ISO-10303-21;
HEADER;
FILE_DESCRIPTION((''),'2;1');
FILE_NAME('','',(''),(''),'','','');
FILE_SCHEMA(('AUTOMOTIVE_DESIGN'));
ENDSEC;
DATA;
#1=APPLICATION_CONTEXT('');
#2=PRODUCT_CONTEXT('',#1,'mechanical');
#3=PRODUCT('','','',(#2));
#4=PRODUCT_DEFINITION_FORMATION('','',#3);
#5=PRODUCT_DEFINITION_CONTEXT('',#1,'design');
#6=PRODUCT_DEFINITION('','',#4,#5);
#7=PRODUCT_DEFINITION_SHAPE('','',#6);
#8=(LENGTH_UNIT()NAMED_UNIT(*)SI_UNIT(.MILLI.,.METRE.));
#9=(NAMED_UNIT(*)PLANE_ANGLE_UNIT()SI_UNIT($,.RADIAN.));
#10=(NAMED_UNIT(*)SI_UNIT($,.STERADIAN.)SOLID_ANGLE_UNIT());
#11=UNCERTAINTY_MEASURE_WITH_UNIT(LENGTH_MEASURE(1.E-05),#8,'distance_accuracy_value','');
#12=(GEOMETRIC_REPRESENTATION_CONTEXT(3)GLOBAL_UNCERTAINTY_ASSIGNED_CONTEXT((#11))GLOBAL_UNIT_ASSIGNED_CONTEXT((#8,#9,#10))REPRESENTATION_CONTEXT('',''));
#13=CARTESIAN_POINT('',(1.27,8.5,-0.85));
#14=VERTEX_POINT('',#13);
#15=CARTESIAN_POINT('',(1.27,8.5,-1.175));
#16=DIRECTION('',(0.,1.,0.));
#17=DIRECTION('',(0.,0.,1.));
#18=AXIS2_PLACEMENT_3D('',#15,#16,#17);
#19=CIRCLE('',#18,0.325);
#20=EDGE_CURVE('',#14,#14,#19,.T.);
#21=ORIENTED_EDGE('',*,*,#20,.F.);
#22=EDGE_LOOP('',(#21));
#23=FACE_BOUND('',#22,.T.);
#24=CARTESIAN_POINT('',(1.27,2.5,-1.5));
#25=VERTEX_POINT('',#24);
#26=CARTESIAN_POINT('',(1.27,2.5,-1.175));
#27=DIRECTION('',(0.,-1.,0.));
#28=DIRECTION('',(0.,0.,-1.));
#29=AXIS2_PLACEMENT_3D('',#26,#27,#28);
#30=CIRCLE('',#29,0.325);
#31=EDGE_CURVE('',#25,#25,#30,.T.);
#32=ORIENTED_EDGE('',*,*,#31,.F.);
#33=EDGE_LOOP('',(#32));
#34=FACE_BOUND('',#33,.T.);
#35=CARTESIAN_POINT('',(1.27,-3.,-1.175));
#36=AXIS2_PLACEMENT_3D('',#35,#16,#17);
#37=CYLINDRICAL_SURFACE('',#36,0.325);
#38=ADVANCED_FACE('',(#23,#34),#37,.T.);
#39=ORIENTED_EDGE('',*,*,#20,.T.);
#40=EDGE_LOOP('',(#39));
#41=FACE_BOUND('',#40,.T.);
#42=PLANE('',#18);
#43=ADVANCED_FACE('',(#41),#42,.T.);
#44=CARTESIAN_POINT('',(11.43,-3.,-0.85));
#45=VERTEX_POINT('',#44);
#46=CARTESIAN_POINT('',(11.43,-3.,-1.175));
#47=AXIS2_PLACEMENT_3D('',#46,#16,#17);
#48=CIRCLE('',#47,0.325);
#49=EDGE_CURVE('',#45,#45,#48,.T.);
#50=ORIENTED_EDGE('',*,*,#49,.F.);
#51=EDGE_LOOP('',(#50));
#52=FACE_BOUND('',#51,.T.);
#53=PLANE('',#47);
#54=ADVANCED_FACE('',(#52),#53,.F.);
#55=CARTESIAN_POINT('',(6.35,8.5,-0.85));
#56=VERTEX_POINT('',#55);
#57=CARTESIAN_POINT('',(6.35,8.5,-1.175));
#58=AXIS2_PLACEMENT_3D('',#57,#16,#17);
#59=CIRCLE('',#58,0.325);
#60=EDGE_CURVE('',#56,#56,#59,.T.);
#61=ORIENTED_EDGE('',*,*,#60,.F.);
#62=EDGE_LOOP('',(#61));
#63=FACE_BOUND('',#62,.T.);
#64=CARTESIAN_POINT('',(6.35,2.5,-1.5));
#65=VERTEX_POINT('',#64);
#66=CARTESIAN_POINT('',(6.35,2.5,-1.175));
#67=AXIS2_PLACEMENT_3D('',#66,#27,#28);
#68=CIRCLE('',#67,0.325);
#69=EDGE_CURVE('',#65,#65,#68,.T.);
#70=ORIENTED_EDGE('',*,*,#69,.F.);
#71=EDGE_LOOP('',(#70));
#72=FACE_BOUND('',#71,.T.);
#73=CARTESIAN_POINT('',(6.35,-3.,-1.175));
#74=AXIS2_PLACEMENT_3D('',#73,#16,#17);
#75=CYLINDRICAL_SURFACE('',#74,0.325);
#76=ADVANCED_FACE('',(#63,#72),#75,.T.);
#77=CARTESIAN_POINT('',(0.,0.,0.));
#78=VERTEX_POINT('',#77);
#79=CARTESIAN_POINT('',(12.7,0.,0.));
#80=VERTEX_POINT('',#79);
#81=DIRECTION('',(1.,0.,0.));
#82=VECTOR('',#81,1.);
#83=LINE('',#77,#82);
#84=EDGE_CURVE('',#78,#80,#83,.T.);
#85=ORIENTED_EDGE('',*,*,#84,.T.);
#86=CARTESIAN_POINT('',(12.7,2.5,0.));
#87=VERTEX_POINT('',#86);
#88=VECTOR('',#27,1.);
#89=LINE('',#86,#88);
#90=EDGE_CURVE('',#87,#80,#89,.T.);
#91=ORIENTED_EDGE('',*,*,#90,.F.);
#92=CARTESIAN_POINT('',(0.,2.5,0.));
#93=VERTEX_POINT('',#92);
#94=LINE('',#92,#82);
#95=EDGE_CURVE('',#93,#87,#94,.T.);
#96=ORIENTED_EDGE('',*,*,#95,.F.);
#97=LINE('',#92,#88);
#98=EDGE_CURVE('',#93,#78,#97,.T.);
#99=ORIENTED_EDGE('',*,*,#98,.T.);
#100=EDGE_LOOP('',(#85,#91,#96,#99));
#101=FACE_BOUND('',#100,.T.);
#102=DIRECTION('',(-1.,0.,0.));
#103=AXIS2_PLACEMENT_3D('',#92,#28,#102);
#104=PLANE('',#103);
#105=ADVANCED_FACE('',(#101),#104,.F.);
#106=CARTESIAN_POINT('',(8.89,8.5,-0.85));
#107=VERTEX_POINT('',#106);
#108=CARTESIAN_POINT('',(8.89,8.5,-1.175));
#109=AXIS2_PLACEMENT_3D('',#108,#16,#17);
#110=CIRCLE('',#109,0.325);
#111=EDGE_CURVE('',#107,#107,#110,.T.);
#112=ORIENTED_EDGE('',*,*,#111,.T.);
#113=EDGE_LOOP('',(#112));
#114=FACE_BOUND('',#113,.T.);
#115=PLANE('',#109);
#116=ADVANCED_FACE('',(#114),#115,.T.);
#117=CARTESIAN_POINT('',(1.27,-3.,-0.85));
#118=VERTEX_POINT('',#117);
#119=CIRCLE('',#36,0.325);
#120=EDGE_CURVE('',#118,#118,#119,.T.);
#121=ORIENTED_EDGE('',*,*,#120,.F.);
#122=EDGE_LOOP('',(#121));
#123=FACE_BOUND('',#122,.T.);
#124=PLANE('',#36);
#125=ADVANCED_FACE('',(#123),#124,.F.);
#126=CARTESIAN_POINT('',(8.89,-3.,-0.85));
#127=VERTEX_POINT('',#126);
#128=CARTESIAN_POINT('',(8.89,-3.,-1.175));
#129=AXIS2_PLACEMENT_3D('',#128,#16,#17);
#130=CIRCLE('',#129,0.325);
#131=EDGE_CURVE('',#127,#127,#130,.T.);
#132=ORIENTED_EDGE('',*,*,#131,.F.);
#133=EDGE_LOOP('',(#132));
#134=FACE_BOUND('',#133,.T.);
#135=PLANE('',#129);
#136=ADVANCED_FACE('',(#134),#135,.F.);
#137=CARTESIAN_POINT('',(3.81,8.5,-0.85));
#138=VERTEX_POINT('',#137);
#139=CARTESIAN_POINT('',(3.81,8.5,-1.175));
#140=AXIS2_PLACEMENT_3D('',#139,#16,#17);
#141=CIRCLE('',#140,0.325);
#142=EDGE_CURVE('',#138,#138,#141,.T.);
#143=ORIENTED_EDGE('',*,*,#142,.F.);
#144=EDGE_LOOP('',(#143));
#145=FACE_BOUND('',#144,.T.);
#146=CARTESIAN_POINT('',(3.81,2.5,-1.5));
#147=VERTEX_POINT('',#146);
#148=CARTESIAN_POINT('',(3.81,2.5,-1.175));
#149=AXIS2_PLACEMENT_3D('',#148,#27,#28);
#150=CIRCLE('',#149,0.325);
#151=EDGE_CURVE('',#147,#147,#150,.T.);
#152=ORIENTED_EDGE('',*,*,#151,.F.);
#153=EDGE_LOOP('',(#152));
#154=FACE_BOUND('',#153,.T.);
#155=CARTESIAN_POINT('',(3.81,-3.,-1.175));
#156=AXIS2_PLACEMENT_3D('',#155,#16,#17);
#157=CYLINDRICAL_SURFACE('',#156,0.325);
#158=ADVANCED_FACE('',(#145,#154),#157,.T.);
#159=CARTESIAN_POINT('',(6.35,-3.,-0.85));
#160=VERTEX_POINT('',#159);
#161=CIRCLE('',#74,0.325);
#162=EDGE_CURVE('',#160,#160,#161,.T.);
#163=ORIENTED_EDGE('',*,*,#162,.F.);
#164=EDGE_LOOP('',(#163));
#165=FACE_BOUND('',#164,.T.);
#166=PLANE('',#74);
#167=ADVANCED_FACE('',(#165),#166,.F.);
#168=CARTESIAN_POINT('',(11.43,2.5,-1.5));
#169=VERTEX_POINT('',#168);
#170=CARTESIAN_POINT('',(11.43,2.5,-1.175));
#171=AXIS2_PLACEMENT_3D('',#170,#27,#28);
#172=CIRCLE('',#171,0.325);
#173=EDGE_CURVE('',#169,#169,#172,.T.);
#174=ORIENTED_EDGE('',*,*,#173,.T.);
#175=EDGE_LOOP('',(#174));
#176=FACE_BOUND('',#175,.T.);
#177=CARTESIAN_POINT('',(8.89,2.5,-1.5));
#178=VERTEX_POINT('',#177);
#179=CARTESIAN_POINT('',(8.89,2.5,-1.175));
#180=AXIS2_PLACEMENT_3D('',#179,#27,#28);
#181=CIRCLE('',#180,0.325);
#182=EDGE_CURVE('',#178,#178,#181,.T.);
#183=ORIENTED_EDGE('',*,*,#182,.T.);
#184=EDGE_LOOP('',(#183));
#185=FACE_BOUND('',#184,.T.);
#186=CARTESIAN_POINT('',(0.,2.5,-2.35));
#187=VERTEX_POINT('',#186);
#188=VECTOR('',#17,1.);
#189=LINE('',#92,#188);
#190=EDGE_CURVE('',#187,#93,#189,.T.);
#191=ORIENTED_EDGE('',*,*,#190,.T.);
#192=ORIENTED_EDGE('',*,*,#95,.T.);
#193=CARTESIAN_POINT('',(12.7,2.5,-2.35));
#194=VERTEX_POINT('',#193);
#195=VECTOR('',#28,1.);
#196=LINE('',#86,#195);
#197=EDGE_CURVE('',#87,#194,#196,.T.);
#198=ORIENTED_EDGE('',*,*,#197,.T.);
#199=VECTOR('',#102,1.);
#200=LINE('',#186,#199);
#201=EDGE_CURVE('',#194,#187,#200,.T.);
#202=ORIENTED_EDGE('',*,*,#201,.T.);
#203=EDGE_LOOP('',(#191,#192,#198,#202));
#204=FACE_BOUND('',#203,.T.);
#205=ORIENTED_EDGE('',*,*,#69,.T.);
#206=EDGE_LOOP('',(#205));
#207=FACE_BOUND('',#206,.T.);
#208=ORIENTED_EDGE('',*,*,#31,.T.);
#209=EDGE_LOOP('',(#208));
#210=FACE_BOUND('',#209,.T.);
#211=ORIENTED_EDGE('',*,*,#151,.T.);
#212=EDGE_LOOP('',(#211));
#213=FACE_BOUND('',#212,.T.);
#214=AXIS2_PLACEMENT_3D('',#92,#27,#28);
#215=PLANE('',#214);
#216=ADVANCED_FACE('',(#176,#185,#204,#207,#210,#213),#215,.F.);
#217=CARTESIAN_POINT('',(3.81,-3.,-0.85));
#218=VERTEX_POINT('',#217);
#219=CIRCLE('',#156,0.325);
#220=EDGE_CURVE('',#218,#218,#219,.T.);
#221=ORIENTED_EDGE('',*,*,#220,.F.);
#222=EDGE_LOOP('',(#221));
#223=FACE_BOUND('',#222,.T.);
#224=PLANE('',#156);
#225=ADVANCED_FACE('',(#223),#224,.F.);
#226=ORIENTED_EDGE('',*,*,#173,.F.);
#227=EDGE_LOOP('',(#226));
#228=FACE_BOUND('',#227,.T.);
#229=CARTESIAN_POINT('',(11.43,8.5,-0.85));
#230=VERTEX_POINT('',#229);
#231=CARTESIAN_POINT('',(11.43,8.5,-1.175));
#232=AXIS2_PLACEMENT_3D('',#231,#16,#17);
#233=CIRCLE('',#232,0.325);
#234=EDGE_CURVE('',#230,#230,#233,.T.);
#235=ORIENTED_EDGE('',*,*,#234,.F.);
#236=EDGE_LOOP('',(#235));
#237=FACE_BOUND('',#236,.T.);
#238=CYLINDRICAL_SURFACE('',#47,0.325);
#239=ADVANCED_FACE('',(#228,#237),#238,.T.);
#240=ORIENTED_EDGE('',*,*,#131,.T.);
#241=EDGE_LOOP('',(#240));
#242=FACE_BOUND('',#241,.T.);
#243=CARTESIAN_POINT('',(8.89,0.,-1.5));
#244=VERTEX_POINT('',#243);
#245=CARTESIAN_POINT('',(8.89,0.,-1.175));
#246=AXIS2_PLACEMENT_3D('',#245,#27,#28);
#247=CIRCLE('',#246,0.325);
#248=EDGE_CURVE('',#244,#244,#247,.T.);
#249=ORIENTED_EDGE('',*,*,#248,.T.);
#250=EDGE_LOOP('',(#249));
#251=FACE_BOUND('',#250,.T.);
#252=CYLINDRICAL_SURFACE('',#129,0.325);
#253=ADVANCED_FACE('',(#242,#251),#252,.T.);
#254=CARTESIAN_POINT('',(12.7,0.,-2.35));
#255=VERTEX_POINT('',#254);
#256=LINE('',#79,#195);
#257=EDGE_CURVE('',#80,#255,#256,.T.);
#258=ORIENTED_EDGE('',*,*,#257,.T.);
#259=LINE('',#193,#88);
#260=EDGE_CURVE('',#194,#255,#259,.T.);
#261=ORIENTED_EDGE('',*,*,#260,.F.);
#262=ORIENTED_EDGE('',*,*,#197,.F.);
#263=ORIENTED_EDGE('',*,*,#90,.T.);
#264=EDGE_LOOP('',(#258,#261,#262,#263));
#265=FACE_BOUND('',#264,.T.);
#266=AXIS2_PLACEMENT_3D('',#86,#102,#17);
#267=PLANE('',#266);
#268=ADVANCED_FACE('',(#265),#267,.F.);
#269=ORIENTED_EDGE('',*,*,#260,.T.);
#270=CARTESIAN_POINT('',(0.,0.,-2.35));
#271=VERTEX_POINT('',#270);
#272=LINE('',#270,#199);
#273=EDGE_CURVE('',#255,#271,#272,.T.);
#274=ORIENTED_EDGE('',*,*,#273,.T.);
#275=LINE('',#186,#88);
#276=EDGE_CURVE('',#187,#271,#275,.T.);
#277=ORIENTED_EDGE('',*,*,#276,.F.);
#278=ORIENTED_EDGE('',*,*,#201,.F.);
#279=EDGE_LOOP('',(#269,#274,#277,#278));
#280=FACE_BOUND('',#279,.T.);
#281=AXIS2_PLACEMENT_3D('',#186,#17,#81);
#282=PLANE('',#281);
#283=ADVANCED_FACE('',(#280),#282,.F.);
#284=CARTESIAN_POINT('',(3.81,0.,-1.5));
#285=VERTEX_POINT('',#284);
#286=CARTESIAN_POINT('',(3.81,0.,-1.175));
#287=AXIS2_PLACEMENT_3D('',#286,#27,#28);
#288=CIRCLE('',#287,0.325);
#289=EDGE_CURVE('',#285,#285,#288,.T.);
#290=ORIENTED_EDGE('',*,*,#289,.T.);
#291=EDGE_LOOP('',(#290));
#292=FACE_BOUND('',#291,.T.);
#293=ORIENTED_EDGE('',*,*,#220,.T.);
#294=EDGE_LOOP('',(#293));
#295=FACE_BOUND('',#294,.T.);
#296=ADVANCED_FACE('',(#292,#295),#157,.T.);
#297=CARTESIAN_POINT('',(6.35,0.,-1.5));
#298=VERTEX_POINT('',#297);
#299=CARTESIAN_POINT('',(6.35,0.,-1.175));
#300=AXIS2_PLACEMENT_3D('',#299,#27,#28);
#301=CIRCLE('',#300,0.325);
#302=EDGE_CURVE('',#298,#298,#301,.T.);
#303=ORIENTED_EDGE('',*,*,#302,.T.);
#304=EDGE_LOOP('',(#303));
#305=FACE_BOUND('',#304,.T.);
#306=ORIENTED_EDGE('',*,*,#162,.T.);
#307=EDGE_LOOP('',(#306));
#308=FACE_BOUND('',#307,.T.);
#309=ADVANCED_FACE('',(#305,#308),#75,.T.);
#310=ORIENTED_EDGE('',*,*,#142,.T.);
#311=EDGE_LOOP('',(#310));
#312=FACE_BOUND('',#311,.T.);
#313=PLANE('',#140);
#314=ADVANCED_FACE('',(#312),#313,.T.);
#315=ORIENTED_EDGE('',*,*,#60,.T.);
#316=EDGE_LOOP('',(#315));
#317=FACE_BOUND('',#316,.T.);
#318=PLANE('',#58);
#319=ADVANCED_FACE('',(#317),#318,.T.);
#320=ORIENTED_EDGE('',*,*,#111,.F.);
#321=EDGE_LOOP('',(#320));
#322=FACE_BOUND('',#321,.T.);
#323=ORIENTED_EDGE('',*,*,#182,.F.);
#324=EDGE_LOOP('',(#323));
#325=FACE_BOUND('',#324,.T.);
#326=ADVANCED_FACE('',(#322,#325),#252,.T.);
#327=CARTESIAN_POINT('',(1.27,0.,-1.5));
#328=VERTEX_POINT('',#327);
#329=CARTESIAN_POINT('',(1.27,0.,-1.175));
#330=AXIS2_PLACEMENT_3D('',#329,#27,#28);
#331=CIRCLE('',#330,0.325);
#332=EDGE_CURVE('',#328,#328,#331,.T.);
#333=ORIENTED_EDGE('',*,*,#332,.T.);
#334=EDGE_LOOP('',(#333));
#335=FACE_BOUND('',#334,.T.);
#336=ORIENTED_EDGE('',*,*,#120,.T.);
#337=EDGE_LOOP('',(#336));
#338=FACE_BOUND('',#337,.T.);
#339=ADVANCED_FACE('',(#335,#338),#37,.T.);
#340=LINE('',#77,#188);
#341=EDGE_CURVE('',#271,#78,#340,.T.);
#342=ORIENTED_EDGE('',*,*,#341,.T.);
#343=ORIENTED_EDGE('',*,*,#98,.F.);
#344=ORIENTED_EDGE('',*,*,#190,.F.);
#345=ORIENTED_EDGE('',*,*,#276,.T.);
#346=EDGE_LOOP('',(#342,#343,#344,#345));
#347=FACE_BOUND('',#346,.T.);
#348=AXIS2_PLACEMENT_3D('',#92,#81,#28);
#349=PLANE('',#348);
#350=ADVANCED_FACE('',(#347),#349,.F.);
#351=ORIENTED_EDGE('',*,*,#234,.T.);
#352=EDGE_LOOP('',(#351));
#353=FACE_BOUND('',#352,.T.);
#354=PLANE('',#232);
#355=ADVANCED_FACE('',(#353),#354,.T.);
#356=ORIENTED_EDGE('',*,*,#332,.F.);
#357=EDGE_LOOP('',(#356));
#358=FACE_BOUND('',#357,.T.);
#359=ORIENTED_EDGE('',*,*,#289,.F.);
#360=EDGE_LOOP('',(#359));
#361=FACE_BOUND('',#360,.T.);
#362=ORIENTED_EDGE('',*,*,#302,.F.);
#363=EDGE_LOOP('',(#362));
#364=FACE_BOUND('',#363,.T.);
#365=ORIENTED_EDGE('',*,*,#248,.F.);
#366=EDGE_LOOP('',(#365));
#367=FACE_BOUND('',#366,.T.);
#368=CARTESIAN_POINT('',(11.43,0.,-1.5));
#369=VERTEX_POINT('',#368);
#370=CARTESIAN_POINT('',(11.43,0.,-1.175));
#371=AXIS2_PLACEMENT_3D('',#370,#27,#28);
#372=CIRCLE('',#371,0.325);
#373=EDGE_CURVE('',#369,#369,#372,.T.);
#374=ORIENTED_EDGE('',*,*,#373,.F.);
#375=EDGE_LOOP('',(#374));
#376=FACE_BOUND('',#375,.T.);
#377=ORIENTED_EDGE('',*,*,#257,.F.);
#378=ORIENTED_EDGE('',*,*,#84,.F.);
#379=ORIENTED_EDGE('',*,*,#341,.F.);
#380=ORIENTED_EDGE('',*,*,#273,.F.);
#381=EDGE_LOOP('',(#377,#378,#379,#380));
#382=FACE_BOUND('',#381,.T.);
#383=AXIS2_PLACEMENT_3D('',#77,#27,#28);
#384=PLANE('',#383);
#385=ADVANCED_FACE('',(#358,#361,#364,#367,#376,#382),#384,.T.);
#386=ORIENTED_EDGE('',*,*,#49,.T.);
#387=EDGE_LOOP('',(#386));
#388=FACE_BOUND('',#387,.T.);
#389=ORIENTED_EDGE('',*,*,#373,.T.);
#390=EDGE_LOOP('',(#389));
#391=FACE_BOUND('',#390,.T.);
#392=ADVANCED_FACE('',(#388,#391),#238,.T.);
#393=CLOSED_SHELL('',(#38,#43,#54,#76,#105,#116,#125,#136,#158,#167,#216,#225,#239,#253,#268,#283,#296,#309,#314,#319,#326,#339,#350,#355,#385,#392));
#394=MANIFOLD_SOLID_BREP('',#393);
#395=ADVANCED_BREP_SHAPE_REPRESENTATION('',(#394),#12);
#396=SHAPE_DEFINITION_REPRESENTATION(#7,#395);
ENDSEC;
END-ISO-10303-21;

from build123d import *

# Parameters (mm, degrees)
ESQUISSE1_W                = 2.54
ESQUISSE1_H                = 2.35
BOSS_EXTRU_1_DEPTH         = 2.5
BOSS_EXTRU_2_START         = -3
ESQUISSE2_R                = 0.325
BOSS_EXTRU_2_DEPTH         = 11.5
R_P_TITION_LIN_AIRE1_COUNT = 5
R_P_TITION_LIN_AIRE1_PITCH = 2.54


with BuildPart() as part:
    # Esquisse1 → Boss.-Extru.1 (new body)
    with BuildSketch(Plane(origin=(0, 0, 0), x_dir=(1, 0, 0), z_dir=(0, 1, 0))):
        with Locations((1.27, 1.175)):
            Rectangle(ESQUISSE1_W, ESQUISSE1_H)
    boss_extru_1 = extrude(amount=BOSS_EXTRU_1_DEPTH)

    # Esquisse2 → Boss.-Extru.2 (add)
    with BuildSketch(Plane(origin=(0, 0, 0), x_dir=(1, 0, 0), z_dir=(0, 1, 0)).offset(BOSS_EXTRU_2_START)):
        with Locations(Location((1.27, 1.175, 0), (0, 0, 270))):
            Circle(ESQUISSE2_R)
    boss_extru_2 = extrude(amount=BOSS_EXTRU_2_DEPTH)

    # Répétition linéaire1: Boss.-Extru.1, Boss.-Extru.2 ×5
    with Locations(*[(i * R_P_TITION_LIN_AIRE1_PITCH, 0, 0) for i in range(1, R_P_TITION_LIN_AIRE1_COUNT)]):
        add(boss_extru_1)
        add(boss_extru_2)


solid = part.part
